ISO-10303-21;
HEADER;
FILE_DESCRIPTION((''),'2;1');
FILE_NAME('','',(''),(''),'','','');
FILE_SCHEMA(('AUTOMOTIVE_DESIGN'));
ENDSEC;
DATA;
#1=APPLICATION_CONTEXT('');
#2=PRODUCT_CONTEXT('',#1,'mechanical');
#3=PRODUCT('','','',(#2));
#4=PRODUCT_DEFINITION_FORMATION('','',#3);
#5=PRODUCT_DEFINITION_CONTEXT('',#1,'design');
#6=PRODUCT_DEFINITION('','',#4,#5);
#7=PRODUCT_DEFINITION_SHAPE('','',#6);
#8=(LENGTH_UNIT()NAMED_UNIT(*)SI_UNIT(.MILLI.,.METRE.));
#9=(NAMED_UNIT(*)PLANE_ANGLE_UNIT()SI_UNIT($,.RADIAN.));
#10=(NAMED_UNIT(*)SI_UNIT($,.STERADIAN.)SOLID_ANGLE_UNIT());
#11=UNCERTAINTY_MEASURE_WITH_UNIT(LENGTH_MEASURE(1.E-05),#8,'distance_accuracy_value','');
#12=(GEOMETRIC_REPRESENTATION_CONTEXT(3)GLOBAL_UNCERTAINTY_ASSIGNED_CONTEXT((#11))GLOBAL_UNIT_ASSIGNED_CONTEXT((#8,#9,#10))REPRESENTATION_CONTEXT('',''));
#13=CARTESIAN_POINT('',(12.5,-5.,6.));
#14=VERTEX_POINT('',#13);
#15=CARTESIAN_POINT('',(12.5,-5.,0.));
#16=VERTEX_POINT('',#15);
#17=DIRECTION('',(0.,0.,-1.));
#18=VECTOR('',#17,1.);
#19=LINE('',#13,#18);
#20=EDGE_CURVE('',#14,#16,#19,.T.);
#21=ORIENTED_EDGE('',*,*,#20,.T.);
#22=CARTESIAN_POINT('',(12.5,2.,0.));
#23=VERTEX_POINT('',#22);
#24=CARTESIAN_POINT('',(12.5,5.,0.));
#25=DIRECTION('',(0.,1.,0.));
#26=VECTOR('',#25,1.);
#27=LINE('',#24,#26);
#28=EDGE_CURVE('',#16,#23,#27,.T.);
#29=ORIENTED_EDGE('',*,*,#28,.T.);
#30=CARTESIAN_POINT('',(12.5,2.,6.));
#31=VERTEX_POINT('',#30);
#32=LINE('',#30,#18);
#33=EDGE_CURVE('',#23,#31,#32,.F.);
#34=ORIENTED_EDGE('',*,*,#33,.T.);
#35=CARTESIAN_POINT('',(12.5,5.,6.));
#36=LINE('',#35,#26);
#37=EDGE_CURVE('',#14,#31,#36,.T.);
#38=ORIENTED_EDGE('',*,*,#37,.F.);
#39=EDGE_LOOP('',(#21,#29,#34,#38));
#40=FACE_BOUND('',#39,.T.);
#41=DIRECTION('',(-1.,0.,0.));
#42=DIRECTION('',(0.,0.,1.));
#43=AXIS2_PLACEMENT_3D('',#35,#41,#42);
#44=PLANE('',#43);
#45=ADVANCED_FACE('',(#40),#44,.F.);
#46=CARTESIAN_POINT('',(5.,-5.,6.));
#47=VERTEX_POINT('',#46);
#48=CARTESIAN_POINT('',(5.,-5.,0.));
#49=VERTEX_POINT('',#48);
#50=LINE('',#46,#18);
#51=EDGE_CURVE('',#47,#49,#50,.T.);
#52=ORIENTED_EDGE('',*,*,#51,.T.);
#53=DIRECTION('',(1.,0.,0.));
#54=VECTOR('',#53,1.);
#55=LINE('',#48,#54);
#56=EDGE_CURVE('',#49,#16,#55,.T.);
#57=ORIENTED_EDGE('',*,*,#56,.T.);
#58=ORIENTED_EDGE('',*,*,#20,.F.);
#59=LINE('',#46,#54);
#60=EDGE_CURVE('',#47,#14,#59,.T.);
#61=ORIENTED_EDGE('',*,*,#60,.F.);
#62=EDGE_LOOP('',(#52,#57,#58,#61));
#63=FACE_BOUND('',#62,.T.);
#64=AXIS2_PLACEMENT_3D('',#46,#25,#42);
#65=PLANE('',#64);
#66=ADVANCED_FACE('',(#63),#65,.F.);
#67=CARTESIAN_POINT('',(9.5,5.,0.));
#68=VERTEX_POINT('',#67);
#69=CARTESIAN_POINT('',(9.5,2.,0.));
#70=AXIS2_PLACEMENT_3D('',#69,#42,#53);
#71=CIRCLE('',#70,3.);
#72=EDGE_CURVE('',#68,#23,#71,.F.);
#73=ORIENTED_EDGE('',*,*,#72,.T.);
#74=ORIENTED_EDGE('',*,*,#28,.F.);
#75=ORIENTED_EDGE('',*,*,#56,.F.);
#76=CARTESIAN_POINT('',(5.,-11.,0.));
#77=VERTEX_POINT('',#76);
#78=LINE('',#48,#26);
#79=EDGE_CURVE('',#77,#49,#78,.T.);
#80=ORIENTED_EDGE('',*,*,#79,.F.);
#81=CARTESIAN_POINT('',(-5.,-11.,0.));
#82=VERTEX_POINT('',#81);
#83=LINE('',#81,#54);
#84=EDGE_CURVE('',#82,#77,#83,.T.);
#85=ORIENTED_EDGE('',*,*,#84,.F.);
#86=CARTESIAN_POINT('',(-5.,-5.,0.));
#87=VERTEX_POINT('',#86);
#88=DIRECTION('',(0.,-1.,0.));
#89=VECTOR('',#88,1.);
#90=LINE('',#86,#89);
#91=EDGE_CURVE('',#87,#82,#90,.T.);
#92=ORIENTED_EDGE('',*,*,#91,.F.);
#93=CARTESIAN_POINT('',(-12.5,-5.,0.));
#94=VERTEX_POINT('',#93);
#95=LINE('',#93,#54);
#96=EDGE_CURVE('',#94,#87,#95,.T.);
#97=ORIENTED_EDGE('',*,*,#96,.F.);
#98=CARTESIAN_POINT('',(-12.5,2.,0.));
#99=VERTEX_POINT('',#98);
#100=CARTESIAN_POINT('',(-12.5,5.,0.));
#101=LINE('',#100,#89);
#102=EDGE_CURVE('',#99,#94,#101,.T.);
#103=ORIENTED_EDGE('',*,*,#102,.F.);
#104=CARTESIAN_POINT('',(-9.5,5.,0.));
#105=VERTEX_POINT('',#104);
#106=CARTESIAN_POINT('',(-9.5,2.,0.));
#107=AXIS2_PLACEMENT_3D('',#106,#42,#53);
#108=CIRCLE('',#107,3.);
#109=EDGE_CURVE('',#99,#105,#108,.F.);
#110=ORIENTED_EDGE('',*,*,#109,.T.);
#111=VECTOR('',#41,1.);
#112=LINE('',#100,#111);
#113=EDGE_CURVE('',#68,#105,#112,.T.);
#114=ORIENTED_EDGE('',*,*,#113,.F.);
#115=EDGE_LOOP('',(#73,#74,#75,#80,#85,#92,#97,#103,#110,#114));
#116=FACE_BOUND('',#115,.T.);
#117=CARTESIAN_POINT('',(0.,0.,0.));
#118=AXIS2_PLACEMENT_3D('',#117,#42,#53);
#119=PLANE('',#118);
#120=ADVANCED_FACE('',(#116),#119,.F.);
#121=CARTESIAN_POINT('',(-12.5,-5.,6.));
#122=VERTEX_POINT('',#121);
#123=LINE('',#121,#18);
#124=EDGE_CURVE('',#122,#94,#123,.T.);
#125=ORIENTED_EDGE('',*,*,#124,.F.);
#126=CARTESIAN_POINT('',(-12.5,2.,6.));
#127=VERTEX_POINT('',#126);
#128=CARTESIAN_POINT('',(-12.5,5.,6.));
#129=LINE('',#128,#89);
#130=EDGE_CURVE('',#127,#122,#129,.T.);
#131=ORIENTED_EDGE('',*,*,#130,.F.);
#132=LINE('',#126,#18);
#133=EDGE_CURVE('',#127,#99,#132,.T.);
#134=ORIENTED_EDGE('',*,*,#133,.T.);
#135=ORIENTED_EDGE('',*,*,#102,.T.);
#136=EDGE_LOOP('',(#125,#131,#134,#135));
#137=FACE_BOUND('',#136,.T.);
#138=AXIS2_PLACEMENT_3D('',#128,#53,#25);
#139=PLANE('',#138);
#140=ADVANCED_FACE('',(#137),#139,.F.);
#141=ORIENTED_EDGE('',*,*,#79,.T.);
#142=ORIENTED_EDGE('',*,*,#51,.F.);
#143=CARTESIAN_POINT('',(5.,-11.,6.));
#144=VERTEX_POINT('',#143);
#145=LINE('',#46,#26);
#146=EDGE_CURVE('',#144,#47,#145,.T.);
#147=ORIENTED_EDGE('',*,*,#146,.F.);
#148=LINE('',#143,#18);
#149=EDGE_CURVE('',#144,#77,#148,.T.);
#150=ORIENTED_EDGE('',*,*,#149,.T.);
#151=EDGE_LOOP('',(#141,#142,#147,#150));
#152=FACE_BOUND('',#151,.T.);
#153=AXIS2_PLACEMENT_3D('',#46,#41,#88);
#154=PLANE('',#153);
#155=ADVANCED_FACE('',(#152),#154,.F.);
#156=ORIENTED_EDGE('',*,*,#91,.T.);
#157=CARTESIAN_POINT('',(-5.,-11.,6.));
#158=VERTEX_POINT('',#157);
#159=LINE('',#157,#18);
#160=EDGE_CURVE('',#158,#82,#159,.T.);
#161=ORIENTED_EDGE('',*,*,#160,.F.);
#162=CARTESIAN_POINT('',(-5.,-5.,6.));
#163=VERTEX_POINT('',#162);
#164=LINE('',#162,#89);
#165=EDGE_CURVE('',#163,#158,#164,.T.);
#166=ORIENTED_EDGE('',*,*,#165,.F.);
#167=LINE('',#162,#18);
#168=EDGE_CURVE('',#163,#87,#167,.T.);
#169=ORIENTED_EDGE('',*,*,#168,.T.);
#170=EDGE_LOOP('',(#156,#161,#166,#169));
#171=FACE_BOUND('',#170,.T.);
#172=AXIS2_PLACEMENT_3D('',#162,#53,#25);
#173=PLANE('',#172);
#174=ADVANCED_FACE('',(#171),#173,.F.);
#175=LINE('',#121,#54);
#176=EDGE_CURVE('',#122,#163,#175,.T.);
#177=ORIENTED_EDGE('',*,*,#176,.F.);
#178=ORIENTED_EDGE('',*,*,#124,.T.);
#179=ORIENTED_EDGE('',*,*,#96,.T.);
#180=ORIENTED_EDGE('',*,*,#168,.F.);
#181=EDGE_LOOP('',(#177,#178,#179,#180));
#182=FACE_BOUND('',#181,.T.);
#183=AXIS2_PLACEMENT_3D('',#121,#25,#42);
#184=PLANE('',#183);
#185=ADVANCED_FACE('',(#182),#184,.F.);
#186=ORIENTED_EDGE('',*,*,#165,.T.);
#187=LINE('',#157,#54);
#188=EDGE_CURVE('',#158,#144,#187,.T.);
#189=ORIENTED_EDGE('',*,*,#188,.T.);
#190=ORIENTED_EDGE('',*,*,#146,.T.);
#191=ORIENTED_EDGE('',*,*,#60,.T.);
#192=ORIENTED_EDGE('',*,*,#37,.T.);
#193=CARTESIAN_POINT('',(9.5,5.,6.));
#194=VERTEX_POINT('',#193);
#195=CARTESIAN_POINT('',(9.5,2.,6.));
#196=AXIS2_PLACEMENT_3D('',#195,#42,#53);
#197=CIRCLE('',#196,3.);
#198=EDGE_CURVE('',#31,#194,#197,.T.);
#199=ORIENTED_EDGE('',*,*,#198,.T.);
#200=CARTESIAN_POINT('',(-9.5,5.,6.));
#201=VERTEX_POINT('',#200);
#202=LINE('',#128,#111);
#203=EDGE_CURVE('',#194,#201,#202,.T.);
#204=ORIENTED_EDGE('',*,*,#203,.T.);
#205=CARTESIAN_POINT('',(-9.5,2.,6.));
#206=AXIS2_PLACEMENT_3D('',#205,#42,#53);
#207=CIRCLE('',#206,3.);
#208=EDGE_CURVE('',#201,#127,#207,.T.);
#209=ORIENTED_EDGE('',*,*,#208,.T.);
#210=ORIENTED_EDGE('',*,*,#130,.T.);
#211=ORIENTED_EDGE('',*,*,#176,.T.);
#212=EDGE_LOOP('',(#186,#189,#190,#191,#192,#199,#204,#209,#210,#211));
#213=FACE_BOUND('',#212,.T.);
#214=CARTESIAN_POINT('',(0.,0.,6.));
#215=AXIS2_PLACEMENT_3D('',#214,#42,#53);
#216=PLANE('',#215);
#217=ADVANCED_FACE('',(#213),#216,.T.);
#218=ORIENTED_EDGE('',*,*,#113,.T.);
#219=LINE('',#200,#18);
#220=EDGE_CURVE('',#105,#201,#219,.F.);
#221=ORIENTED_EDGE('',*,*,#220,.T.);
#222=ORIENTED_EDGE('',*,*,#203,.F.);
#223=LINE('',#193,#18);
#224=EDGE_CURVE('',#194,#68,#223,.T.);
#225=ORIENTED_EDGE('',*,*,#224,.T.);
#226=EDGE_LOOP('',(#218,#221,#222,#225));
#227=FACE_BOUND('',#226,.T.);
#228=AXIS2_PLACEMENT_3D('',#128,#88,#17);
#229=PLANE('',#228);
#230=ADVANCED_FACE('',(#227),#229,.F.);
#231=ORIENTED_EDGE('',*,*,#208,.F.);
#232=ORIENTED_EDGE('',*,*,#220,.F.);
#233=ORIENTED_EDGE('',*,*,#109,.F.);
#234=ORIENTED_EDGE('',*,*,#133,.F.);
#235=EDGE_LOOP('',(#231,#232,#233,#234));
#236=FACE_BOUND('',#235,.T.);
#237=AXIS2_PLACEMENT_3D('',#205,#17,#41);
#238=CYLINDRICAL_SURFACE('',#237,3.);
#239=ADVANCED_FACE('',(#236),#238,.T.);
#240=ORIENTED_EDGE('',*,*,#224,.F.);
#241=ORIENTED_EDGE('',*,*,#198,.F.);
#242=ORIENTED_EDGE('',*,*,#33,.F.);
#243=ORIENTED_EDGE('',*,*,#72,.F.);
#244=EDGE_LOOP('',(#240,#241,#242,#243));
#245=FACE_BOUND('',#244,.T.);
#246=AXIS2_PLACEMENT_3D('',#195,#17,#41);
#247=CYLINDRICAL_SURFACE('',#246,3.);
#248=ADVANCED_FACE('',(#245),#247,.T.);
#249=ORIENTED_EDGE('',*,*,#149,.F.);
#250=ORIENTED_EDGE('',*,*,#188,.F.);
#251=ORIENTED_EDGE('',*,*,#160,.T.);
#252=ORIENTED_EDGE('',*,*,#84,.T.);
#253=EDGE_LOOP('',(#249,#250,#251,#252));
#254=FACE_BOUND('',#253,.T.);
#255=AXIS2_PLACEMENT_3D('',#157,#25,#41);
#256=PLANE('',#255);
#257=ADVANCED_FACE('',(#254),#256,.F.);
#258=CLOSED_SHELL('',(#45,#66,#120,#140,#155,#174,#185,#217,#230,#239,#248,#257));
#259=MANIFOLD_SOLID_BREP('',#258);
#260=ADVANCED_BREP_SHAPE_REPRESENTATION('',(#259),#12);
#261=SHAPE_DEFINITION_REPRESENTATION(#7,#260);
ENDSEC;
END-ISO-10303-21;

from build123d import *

# Parameters (mm, degrees)
BOSS_EXTRU_1_DEPTH = 6
CONG_1_R           = 3


with BuildPart() as part:
    # Esquisse1 → Boss.-Extru.1 (new body)
    with BuildSketch(Plane.XY):
        Polygon((5, -5), (12.5, -5), (12.5, 5), (-12.5, 5), (-12.5, -5), (-5, -5), (-5, -11), (5, -11), align=None)
    extrude(amount=BOSS_EXTRU_1_DEPTH)

    # Congé1
    cong_1_edges = [part.edges().sort_by_distance(p)[0] for p in [
        (-12.5, 5, 3),
        (12.5, 5, 3),
    ]]
    fillet(cong_1_edges, radius=CONG_1_R)


solid = part.part
